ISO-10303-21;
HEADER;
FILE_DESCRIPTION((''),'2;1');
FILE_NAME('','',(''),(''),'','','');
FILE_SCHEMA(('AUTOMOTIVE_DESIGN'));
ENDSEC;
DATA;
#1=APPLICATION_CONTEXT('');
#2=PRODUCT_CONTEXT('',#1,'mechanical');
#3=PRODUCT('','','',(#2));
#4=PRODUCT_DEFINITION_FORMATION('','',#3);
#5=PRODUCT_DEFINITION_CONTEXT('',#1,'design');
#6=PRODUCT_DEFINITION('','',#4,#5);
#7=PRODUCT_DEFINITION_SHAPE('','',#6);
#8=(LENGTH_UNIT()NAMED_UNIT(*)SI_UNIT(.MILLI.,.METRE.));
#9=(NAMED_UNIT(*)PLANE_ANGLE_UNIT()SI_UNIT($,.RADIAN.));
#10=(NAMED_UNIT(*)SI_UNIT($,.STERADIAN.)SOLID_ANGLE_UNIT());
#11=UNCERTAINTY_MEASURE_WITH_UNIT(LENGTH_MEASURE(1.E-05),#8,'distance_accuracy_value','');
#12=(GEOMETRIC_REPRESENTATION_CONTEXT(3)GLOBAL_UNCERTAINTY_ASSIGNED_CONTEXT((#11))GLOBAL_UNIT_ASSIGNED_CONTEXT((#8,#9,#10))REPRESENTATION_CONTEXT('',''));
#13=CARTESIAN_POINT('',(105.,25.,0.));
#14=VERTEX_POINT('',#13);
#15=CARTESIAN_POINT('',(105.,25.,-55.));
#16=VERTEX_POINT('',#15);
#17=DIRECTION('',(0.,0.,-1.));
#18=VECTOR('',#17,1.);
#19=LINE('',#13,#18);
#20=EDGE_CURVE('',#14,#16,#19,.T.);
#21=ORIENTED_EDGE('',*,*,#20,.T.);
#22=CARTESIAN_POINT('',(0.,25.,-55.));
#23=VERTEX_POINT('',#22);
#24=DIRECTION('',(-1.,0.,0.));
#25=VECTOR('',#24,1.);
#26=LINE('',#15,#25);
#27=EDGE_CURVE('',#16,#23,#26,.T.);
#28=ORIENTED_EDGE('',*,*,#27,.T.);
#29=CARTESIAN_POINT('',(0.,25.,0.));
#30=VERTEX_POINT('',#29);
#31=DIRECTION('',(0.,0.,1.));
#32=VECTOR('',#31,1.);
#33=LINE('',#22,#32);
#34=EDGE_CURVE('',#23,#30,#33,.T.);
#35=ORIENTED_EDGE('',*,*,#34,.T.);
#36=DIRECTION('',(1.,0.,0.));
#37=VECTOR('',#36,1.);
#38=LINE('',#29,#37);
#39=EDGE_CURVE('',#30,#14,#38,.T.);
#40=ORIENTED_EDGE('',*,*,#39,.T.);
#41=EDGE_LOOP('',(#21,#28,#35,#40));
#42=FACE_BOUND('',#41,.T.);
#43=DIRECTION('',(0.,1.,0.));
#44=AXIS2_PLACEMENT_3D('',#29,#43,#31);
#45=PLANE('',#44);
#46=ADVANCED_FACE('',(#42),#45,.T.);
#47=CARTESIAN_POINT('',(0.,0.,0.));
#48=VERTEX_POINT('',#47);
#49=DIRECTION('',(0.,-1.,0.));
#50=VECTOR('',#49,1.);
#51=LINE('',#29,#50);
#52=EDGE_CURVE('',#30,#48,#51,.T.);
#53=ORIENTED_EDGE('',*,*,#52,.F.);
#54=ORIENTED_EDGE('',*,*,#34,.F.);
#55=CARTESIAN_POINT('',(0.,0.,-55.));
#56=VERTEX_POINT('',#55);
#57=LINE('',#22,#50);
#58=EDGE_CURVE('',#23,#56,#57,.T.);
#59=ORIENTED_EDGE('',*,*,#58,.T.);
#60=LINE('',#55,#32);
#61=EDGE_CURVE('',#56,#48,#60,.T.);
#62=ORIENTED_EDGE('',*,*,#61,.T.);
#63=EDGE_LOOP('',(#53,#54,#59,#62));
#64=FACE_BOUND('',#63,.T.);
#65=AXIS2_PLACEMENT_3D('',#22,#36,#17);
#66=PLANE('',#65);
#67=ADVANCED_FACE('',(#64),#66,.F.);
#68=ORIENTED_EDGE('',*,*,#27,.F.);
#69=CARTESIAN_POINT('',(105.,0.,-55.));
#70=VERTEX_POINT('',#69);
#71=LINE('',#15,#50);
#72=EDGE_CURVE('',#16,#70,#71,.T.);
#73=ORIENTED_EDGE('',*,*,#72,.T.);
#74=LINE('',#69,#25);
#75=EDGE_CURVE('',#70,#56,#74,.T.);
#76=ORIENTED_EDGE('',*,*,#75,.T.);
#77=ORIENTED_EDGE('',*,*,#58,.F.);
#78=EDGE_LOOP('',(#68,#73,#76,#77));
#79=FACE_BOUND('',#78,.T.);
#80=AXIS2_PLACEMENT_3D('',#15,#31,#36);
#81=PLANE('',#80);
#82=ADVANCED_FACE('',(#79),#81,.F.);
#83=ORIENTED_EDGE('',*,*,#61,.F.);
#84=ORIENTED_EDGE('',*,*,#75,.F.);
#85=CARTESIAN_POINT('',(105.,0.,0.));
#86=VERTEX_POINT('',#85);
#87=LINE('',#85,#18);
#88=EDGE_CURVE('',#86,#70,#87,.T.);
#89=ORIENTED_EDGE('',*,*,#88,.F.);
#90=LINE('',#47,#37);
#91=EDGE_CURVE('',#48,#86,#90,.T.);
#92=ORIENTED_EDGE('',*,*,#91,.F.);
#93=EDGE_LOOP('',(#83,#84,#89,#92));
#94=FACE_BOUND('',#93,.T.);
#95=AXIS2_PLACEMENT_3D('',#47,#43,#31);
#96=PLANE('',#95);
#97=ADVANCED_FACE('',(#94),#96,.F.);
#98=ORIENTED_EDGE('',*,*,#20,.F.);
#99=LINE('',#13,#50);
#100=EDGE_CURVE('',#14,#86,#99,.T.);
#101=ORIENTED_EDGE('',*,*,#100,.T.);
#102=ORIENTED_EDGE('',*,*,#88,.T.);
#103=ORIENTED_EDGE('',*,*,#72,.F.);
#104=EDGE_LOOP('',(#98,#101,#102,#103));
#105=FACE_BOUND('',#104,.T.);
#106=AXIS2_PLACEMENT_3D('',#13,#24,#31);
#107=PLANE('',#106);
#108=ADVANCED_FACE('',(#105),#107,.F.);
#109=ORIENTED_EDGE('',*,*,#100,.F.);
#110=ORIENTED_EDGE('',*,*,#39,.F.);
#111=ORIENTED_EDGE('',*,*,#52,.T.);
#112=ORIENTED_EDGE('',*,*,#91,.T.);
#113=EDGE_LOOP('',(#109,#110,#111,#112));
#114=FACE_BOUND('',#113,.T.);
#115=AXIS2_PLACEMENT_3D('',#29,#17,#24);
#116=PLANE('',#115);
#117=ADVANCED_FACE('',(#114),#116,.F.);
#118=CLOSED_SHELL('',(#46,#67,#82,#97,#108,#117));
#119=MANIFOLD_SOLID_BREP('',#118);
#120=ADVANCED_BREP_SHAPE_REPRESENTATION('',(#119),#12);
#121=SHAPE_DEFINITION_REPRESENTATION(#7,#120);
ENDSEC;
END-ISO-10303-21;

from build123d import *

# Parameters (mm, degrees)
SKIZZE1_W                       = 105
SKIZZE1_H                       = 55
AUFSATZ_LINEAR_AUSTRAGEN1_DEPTH = 25


with BuildPart() as part:
    # Skizze1 → Aufsatz-Linear austragen1 (new body)
    with BuildSketch(Plane(origin=(0, 0, 0), x_dir=(1, 0, 0), z_dir=(0, 1, 0))):
        with Locations((52.5, 27.5)):
            Rectangle(SKIZZE1_W, SKIZZE1_H)
    extrude(amount=AUFSATZ_LINEAR_AUSTRAGEN1_DEPTH)


solid = part.part
